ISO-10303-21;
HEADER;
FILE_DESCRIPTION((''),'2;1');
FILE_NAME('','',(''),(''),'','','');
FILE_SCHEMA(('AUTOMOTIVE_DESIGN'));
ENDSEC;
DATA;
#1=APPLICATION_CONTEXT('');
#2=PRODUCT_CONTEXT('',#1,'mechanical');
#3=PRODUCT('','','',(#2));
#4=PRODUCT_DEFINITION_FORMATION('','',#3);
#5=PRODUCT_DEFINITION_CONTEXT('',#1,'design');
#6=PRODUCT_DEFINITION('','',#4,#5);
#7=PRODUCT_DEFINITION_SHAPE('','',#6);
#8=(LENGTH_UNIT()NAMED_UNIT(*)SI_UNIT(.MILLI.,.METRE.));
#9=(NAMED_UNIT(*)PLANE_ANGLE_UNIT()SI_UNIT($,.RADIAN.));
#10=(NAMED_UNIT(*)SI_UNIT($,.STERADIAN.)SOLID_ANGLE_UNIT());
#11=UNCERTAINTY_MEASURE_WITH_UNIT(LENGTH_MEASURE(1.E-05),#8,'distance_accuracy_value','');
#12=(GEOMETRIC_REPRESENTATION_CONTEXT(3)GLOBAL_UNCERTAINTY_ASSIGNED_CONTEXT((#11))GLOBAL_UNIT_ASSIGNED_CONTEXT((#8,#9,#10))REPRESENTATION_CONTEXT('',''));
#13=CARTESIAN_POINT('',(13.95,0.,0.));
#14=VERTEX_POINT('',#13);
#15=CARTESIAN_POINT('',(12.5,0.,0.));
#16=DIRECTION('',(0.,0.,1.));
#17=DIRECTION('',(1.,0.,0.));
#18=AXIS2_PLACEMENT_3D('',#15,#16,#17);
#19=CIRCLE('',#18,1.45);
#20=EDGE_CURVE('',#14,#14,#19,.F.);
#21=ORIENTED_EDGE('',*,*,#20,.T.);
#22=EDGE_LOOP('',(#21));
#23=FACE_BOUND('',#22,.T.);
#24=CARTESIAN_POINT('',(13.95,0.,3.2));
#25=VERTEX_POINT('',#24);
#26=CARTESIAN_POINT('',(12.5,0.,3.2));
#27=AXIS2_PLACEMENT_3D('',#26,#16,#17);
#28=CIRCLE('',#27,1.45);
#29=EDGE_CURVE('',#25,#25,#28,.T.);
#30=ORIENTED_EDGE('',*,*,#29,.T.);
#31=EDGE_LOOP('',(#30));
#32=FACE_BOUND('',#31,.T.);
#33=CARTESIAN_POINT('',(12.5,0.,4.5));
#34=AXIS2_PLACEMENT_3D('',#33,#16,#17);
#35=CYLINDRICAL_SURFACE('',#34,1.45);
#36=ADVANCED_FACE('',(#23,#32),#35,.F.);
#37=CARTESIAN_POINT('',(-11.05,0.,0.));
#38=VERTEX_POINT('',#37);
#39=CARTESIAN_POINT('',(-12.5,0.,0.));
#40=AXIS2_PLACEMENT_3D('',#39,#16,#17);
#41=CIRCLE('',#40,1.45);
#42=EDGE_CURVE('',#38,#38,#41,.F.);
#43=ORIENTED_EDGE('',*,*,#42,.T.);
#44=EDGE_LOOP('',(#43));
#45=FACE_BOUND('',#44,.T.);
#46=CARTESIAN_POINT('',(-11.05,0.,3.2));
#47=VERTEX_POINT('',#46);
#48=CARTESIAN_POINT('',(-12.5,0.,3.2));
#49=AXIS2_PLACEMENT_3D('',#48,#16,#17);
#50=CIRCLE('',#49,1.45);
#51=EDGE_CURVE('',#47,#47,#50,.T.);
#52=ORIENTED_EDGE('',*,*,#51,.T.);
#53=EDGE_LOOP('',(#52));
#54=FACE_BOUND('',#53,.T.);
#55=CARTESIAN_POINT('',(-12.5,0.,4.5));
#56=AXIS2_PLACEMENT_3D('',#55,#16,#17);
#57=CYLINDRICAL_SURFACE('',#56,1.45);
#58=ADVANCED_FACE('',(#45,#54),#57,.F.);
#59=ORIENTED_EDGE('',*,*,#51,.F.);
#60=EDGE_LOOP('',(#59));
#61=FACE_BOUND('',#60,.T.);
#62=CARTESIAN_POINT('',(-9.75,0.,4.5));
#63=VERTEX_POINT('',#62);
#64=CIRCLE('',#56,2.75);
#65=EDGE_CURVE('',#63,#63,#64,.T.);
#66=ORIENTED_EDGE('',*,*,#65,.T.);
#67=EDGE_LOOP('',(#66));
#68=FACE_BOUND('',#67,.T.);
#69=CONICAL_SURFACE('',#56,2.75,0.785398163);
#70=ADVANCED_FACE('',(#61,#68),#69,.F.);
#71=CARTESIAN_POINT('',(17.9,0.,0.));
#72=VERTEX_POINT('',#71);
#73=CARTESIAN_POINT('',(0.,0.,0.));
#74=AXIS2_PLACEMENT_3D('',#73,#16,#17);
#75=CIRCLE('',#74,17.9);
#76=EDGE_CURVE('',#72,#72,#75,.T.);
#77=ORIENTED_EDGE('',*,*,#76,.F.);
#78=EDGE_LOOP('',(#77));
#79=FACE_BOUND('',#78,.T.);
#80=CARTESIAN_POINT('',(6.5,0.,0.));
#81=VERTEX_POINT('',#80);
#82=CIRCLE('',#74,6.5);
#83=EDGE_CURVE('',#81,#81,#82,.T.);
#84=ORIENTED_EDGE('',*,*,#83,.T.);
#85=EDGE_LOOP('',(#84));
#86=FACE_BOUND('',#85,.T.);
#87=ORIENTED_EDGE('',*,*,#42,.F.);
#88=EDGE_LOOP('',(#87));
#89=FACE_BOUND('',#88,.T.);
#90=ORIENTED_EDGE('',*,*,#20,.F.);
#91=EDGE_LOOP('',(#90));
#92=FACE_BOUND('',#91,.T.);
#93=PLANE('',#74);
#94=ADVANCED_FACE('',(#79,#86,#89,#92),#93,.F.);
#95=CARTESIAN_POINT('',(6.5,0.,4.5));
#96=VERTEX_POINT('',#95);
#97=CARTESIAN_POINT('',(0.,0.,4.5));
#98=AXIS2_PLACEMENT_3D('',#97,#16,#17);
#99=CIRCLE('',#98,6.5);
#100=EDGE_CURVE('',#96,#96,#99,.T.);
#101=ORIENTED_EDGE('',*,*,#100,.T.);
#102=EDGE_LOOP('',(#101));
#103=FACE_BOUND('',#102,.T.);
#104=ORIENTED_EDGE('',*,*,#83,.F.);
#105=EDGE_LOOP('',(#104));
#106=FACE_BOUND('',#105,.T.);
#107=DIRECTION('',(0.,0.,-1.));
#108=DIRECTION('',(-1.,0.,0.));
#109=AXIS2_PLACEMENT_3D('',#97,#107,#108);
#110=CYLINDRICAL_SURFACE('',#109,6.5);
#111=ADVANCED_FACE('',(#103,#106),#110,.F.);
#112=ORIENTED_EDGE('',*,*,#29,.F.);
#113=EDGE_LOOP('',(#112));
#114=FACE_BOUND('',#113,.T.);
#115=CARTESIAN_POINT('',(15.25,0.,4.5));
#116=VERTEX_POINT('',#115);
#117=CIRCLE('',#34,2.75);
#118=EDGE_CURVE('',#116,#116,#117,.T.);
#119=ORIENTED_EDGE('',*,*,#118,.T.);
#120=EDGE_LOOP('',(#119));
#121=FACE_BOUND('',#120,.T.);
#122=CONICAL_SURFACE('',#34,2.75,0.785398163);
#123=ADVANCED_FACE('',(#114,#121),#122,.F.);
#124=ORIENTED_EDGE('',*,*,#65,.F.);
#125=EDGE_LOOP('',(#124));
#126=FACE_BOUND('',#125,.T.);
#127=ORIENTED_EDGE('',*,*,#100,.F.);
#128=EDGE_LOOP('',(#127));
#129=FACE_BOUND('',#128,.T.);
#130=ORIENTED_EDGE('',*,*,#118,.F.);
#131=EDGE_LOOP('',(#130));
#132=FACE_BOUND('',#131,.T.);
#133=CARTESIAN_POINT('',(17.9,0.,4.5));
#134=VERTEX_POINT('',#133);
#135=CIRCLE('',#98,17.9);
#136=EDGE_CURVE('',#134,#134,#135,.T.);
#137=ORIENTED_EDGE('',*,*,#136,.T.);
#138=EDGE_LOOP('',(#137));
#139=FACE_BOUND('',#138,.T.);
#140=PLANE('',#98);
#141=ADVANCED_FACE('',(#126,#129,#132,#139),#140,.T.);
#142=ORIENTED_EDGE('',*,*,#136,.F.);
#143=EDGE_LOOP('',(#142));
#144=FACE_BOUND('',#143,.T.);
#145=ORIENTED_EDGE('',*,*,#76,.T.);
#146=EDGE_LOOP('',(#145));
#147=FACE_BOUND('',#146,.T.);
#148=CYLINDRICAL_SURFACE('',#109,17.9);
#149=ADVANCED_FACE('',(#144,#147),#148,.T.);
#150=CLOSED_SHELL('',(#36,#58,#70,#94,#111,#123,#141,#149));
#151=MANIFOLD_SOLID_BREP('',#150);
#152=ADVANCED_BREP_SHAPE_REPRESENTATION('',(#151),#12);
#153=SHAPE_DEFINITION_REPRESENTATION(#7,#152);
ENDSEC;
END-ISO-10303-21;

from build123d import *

# Parameters (mm, degrees)
SKETCH1_R                                         = 17.9
SKETCH1_R_2                                       = 6.5
BOSS_EXTRUDE1_DEPTH                               = 4.5
CSK_FOR_M2_5_FLAT_HEAD_MACHINE_SCREW2_D           = 2.9
CSK_FOR_M2_5_FLAT_HEAD_MACHINE_SCREW2_DEPTH       = 4.5
CSK_FOR_M2_5_FLAT_HEAD_MACHINE_SCREW2_CSINK_D     = 5.5
CSK_FOR_M2_5_FLAT_HEAD_MACHINE_SCREW2_CSINK_ANGLE = 90
CSK_FOR_M2_5_FLAT_HEAD_MACHINE_SCREW2_TIP         = 0.871247898


with BuildPart() as part:
    # Sketch1 → Boss-Extrude1 (new body)
    with BuildSketch(Plane.XY):
        Circle(SKETCH1_R)
        Circle(SKETCH1_R_2, mode=Mode.SUBTRACT)
    extrude(amount=BOSS_EXTRUDE1_DEPTH)

    # CSK for M2.5 Flat Head Machine Screw2
    with Locations(Plane.XY.offset(4.5)):
        with Locations((-12.5, 0), (12.5, 0)):
            CounterSinkHole(CSK_FOR_M2_5_FLAT_HEAD_MACHINE_SCREW2_D / 2, CSK_FOR_M2_5_FLAT_HEAD_MACHINE_SCREW2_CSINK_D / 2, depth=CSK_FOR_M2_5_FLAT_HEAD_MACHINE_SCREW2_DEPTH, counter_sink_angle=CSK_FOR_M2_5_FLAT_HEAD_MACHINE_SCREW2_CSINK_ANGLE)
            with Locations((0, 0, -(CSK_FOR_M2_5_FLAT_HEAD_MACHINE_SCREW2_DEPTH + CSK_FOR_M2_5_FLAT_HEAD_MACHINE_SCREW2_TIP / 2))):  # 118° drill point
                Cone(0, CSK_FOR_M2_5_FLAT_HEAD_MACHINE_SCREW2_D / 2, CSK_FOR_M2_5_FLAT_HEAD_MACHINE_SCREW2_TIP, mode=Mode.SUBTRACT)


solid = part.part
